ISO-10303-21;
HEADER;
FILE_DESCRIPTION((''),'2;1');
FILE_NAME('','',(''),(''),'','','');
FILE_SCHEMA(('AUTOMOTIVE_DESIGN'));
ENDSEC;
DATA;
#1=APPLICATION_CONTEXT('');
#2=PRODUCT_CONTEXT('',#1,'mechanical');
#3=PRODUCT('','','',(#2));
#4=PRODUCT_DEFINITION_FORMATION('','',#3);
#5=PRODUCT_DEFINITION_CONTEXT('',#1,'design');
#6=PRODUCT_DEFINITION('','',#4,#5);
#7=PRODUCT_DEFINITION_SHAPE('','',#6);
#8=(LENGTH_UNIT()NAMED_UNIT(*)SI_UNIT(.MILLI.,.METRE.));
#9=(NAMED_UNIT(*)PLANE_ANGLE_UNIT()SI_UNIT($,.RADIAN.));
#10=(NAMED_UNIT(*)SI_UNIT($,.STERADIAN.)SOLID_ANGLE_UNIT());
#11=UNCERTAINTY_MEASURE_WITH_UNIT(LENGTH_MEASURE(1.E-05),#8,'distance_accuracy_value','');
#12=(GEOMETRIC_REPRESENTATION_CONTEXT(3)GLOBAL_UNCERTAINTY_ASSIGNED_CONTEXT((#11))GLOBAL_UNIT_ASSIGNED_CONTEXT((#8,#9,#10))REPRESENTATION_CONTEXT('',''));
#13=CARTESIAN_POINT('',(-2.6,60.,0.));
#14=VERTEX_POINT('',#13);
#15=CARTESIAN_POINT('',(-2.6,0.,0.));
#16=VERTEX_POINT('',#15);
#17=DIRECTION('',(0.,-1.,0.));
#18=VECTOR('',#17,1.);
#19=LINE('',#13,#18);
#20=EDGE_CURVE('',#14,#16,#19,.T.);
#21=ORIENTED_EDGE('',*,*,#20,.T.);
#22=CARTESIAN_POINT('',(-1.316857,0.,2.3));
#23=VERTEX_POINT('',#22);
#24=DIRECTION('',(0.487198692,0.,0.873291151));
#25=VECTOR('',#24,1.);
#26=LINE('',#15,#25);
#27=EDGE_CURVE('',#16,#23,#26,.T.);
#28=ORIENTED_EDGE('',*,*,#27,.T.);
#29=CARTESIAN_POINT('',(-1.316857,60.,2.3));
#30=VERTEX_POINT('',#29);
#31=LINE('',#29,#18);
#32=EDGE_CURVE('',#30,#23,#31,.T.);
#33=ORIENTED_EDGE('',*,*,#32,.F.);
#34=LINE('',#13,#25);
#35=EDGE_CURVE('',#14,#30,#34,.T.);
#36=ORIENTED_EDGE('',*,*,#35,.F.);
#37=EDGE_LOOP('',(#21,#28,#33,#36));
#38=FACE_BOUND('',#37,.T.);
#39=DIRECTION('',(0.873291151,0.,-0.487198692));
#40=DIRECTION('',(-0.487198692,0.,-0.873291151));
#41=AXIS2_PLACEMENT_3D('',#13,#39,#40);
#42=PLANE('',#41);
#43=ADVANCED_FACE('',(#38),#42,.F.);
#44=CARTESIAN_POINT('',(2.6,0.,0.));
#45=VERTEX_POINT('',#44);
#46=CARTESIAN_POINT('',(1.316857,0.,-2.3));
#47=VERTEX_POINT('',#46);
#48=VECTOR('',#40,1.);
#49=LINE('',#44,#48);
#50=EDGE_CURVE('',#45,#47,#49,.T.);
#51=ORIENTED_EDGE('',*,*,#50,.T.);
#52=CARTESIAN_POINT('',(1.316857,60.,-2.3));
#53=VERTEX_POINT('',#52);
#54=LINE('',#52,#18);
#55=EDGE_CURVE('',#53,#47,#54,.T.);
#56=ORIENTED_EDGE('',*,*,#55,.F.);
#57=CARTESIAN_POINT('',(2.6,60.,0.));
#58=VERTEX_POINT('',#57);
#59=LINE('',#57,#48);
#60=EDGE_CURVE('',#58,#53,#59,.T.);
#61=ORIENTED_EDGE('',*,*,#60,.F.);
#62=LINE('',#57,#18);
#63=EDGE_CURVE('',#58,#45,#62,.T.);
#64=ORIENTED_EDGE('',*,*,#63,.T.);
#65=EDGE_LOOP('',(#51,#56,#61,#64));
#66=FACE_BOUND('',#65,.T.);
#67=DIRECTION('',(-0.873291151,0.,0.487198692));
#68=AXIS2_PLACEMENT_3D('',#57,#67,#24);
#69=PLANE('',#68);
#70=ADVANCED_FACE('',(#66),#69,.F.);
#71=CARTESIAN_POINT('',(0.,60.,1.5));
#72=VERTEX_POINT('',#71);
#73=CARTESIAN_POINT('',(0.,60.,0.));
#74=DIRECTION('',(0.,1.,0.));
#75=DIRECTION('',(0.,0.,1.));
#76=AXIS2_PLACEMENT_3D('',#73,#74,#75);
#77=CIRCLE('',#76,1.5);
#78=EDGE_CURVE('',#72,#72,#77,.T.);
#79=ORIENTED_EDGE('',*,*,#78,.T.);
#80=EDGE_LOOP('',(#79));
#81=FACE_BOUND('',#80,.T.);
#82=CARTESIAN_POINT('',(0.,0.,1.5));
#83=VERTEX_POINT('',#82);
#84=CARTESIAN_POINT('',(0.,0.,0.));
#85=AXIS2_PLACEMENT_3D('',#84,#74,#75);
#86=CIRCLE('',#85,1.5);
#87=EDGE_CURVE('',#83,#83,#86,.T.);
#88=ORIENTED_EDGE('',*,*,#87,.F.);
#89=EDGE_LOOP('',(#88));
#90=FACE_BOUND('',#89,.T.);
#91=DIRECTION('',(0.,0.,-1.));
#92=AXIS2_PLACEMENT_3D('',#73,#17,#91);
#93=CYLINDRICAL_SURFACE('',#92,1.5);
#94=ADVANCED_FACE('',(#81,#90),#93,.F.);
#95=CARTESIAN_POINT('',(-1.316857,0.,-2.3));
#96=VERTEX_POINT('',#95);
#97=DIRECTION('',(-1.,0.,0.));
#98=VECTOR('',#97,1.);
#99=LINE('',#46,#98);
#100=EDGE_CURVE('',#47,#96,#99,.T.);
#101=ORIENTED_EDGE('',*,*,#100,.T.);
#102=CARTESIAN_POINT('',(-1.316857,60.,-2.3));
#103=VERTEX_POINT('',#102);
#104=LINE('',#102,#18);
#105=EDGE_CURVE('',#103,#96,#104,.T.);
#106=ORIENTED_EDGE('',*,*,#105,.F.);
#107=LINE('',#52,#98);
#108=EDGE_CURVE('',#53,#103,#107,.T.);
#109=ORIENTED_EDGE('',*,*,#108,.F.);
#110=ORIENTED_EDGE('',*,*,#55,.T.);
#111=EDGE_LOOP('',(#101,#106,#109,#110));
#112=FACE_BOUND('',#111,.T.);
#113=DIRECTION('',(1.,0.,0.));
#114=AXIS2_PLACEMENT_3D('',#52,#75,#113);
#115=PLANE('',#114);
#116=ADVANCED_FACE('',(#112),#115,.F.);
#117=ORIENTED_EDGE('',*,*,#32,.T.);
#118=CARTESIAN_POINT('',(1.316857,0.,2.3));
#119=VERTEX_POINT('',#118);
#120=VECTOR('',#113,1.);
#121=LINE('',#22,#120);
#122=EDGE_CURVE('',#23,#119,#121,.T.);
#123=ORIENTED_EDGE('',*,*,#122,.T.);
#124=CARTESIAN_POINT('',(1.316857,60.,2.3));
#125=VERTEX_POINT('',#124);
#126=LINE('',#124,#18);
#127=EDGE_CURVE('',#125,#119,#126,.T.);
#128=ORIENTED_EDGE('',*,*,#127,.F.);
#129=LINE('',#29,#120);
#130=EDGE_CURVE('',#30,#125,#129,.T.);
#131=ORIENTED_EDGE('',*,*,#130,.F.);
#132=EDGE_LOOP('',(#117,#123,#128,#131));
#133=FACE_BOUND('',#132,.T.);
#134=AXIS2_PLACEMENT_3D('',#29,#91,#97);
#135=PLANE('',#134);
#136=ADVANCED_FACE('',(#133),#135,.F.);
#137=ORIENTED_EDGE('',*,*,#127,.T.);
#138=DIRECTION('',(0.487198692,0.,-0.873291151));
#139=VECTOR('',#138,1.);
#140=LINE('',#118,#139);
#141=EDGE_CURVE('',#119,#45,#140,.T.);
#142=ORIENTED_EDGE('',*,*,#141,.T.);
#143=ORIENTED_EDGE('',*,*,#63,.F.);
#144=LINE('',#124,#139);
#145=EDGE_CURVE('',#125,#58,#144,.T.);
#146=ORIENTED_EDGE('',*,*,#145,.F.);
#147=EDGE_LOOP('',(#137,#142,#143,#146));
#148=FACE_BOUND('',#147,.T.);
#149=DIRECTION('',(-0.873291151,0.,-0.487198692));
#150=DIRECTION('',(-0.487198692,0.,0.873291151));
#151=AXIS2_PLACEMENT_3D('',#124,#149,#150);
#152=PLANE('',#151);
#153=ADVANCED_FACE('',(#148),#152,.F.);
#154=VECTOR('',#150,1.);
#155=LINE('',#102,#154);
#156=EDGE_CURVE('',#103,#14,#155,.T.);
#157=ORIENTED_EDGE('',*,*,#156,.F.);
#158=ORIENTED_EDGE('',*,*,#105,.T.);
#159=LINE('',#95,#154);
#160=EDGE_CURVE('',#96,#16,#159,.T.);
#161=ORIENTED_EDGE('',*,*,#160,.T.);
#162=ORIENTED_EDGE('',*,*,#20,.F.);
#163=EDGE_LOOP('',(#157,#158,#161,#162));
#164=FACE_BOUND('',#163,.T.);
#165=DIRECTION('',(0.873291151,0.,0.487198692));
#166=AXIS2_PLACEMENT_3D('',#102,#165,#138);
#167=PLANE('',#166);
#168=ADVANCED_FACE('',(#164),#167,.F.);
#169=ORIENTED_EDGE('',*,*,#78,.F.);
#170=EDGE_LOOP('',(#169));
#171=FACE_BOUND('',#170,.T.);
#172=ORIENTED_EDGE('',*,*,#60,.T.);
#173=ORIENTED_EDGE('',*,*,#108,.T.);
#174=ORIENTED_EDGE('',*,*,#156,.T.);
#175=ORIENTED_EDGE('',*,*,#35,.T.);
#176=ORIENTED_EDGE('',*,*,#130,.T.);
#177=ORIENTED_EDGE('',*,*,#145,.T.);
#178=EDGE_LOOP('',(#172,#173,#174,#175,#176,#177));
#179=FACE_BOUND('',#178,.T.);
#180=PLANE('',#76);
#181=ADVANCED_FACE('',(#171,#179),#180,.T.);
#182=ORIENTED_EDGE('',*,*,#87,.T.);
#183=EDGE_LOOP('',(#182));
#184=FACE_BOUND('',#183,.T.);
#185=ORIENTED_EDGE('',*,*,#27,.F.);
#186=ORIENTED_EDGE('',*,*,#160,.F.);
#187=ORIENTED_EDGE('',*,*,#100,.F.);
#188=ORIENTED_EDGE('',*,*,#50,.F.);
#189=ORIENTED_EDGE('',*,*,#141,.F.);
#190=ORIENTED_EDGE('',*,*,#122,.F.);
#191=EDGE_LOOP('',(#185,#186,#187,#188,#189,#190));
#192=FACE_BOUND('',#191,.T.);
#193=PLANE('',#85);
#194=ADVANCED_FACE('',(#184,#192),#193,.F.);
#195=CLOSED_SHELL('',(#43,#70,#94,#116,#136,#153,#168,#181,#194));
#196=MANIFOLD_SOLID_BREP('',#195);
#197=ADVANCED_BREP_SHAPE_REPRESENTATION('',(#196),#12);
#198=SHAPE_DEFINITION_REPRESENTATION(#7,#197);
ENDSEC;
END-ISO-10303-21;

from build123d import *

# Parameters (mm, degrees)
SKETCH_1_R      = 1.5
EXTRUDE_1_DEPTH = 60


with BuildPart() as part:
    # 草图1 → 凸台-拉伸1 (new body)
    with BuildSketch(Plane(origin=(0, 0, 0), x_dir=(1, 0, 0), z_dir=(0, 1, 0))):
        Polygon((1.316857498, -2.3), (2.6, 0), (1.316857498, 2.3), (-1.316857498, 2.3), (-2.6, 0), (-1.316857498, -2.3), align=None)
        with Locations(Location((0, 0, 0), (0, 0, 270))):
            Circle(SKETCH_1_R, mode=Mode.SUBTRACT)
    extrude(amount=EXTRUDE_1_DEPTH)


solid = part.part
